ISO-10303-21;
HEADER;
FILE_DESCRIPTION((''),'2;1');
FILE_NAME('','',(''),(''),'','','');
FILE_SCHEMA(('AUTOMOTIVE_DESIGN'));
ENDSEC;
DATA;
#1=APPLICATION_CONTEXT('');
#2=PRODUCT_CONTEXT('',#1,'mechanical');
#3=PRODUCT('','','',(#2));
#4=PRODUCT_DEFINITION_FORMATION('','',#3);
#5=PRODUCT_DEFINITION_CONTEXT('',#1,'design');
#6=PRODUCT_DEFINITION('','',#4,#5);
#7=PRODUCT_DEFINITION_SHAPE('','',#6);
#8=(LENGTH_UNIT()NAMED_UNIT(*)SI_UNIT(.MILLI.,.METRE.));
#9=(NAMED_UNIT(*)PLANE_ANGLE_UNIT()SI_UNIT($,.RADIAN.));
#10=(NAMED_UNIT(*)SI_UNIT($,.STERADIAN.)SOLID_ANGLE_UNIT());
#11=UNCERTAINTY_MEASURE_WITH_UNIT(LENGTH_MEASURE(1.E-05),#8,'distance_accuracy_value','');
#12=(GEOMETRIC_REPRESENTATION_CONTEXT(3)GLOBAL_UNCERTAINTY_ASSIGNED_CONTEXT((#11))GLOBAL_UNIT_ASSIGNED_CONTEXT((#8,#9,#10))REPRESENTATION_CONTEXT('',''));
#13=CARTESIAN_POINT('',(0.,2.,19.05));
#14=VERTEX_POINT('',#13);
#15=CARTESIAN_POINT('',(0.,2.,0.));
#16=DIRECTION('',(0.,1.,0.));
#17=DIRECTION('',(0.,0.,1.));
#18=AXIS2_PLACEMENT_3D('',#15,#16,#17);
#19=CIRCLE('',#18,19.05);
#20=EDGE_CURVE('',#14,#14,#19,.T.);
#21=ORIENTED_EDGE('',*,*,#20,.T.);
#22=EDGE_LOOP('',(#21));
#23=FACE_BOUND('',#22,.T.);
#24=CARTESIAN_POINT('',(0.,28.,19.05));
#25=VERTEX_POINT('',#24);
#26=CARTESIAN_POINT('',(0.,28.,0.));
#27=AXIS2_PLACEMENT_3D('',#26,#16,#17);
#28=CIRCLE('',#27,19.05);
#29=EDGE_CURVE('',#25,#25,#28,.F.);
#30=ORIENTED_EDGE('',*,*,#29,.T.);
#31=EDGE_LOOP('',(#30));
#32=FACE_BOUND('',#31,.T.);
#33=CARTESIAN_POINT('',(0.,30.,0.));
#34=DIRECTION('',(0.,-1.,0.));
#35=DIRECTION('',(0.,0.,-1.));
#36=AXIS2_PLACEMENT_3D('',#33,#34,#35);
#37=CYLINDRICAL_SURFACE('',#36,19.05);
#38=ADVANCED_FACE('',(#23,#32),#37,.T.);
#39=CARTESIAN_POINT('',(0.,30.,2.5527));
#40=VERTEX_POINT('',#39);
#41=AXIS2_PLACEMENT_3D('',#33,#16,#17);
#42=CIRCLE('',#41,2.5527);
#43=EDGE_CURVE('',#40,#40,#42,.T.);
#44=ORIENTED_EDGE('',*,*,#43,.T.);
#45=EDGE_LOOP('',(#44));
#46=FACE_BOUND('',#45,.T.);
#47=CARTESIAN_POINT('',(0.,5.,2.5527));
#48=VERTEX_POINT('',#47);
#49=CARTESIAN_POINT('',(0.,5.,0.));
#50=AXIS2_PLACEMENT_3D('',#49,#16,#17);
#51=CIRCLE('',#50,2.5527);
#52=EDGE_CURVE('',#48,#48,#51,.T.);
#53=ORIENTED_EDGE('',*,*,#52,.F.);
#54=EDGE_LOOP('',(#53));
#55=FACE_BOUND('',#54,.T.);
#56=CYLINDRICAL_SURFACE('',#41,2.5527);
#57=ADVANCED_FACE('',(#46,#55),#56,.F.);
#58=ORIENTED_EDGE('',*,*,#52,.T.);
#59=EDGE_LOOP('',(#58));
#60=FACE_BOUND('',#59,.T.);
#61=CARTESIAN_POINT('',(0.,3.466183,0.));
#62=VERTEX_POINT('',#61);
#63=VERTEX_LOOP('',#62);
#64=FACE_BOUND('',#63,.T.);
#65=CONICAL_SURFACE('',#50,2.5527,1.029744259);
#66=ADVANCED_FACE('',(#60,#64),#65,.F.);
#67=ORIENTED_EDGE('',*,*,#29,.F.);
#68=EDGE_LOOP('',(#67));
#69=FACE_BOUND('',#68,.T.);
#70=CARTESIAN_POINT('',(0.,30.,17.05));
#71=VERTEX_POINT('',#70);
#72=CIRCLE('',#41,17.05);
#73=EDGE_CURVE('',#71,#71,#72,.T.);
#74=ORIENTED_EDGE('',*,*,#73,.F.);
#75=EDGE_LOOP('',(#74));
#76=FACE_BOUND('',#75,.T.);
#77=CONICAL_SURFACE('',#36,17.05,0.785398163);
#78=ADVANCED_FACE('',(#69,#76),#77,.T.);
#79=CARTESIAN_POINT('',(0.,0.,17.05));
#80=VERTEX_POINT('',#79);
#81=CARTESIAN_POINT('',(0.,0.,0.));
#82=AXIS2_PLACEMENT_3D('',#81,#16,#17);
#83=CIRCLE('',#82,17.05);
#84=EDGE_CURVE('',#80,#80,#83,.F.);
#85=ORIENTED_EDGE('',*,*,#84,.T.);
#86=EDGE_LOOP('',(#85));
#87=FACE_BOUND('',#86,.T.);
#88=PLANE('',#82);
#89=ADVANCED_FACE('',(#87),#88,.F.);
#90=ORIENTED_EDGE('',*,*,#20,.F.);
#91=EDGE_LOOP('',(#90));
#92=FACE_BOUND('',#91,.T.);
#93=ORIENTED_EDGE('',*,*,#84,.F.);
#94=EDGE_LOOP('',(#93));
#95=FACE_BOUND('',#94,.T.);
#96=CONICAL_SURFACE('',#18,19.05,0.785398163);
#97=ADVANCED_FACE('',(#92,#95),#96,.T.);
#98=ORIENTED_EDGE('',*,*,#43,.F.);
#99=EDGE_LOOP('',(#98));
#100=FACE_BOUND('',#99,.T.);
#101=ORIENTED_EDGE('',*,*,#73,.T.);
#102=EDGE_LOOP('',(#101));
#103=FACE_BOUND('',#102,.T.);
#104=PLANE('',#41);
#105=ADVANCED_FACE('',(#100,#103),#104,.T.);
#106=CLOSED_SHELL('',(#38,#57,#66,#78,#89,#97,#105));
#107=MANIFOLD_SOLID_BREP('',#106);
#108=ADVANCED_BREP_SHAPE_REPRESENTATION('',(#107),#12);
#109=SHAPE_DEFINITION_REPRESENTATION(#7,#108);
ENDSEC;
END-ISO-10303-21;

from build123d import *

# Parameters (mm, degrees)
CROQUIS1_R                    = 19.05
SALIENTE_EXTRUIR1_DEPTH       = 30
CHAFL_N1_SIZE                 = 2
TALADRO_ROSCADO_1_4_201_D     = 5.1054
TALADRO_ROSCADO_1_4_201_DEPTH = 25
TALADRO_ROSCADO_1_4_201_TIP   = 1.533816902
CHAFL_N2_SIZE                 = 2


with BuildPart() as part:
    # Croquis1 → Saliente-Extruir1 (new body)
    with BuildSketch(Plane(origin=(0, 0, 0), x_dir=(1, 0, 0), z_dir=(0, 1, 0))):
        with Locations(Location((0, 0, 0), (0, 0, 270))):
            Circle(CROQUIS1_R)
    extrude(amount=SALIENTE_EXTRUIR1_DEPTH)

    # Chaflán1
    chafl_n1_edges = [part.edges().sort_by_distance(p)[0] for p in [
        (0, 30, -19.05),
    ]]
    chamfer(chafl_n1_edges, length=CHAFL_N1_SIZE)

    # Taladro roscado 1/4-201
    with Locations(Plane(origin=(0, 30, 0), x_dir=(1, 0, 0), z_dir=(0, 1, 0))):
        with Locations((0, 0)):
            Hole(TALADRO_ROSCADO_1_4_201_D / 2, depth=TALADRO_ROSCADO_1_4_201_DEPTH)
            with Locations((0, 0, -(TALADRO_ROSCADO_1_4_201_DEPTH + TALADRO_ROSCADO_1_4_201_TIP / 2))):  # 118° drill point
                Cone(0, TALADRO_ROSCADO_1_4_201_D / 2, TALADRO_ROSCADO_1_4_201_TIP, mode=Mode.SUBTRACT)

    # Chaflán2
    chafl_n2_edges = [part.edges().sort_by_distance(p)[0] for p in [
        (0, 0, -19.05),
    ]]
    chamfer(chafl_n2_edges, length=CHAFL_N2_SIZE)


solid = part.part
